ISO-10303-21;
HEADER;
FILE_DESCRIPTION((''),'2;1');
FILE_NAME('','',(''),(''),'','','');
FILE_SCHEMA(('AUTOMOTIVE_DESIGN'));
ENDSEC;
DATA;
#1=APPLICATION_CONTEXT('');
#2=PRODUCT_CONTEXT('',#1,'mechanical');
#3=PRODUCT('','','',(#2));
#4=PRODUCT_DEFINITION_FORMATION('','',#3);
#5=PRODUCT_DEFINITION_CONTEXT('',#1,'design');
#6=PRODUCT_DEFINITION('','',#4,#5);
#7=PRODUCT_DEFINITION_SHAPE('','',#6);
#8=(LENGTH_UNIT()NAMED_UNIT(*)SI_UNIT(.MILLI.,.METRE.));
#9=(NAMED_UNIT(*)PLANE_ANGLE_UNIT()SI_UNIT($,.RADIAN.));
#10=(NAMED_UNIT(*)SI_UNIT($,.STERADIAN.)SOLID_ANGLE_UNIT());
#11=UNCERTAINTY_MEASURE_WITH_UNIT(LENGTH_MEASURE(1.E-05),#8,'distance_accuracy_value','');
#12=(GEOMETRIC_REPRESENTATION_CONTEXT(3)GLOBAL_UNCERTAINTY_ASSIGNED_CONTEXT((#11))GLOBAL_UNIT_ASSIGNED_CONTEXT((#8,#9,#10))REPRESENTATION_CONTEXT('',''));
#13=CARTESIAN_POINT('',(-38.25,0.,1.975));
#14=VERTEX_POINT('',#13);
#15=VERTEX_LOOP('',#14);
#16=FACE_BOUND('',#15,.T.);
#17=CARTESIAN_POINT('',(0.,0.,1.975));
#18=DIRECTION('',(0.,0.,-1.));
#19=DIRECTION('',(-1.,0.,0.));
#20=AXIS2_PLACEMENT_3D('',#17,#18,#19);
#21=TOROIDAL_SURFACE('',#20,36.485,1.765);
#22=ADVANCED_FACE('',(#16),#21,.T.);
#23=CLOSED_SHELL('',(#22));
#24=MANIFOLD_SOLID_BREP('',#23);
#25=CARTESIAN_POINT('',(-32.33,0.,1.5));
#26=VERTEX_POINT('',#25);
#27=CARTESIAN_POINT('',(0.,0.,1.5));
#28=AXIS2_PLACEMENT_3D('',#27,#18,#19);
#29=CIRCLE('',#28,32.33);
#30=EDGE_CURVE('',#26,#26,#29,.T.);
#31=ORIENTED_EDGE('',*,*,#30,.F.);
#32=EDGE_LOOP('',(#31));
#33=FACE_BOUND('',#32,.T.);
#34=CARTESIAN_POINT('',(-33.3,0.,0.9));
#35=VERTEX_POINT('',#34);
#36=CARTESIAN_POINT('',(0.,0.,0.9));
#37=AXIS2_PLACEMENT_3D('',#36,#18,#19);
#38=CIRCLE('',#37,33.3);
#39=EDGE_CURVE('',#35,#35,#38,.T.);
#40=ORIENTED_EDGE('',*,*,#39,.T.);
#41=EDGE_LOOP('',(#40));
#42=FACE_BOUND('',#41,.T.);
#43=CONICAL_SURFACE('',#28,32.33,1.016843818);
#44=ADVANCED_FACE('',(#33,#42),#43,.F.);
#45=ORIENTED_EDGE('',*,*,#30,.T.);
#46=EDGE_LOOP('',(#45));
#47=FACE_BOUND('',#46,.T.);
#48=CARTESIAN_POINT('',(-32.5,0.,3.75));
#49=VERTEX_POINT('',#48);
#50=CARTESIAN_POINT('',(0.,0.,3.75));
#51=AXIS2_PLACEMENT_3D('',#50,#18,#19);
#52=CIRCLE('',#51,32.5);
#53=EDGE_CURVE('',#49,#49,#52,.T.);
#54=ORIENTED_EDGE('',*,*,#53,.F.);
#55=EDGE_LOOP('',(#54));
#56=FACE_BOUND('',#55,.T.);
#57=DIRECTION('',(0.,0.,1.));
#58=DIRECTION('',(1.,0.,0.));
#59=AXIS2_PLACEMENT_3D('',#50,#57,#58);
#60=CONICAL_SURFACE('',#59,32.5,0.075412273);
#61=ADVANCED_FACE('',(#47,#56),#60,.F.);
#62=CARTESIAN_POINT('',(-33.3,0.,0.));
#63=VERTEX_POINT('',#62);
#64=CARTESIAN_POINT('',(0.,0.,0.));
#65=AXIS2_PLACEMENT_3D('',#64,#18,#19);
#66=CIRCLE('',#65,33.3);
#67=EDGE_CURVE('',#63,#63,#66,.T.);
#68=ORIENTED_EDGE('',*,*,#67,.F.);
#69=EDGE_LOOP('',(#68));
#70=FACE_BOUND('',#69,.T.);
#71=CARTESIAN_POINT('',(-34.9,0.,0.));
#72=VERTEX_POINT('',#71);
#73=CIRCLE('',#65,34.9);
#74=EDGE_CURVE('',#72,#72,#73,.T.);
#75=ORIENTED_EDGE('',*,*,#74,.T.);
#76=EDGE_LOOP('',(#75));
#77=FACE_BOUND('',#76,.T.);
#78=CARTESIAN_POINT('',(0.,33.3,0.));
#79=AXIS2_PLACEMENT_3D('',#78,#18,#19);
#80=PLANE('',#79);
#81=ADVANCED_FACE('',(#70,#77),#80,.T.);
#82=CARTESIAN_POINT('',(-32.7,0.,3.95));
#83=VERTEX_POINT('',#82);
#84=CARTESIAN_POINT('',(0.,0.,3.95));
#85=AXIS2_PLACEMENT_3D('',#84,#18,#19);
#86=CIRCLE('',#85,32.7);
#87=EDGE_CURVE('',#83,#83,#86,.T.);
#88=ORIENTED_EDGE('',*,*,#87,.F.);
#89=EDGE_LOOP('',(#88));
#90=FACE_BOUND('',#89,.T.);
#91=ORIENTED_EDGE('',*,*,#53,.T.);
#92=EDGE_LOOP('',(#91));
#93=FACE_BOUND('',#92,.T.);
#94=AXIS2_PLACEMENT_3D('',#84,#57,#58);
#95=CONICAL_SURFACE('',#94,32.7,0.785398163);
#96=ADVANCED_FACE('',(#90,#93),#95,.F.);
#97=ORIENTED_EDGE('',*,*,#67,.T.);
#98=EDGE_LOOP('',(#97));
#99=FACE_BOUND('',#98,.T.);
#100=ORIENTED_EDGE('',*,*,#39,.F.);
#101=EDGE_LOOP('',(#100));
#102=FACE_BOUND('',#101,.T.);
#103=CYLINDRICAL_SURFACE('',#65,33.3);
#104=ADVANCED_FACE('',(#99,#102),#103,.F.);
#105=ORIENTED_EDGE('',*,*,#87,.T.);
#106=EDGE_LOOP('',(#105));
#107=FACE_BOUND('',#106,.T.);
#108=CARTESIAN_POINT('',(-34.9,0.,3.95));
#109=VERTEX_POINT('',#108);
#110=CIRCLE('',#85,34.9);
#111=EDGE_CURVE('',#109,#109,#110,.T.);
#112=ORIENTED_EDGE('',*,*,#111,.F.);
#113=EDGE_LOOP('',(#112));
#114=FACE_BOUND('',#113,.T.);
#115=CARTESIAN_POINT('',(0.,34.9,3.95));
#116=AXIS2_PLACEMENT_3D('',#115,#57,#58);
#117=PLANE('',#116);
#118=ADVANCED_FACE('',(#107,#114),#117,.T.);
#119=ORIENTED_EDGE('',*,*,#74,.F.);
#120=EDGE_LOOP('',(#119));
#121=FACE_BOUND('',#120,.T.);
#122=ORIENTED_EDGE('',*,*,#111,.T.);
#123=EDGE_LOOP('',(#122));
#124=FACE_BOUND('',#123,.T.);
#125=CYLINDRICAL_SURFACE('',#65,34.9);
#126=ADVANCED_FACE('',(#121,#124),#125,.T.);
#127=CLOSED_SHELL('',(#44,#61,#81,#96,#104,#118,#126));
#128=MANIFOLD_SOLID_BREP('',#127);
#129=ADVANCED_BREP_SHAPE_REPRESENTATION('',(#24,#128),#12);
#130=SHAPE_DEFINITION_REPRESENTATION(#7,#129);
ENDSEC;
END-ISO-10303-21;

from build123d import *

# Parameters (mm, degrees)
SKETCH4_R = 1.765


with BuildPart() as part:
    # Sketch1 → Revolve1 (revolve)
    with BuildSketch(Plane(origin=(0, 0, 0), x_dir=(0, 0, -1), z_dir=(1, 0, 0))):
        Polygon((0, 33.3), (0, 34.9), (-3.95, 34.9), (-3.95, 32.7), (-3.75, 32.5), (-1.5, 32.33), (-0.9, 33.3), align=None)
    revolve(axis=Axis((0, 0, 0), (0, 0, 1)))


with BuildPart() as body_2:
    # Sketch4 → Revolve2 (revolve)
    with BuildSketch(Plane(origin=(0, 0, 0), x_dir=(0, 0, -1), z_dir=(1, 0, 0))):
        with Locations((-1.975, 36.485)):
            Circle(SKETCH4_R)
    revolve(axis=Axis((0, 0, 0), (0, 0, 1)))


solid = Compound([part.part, body_2.part])
